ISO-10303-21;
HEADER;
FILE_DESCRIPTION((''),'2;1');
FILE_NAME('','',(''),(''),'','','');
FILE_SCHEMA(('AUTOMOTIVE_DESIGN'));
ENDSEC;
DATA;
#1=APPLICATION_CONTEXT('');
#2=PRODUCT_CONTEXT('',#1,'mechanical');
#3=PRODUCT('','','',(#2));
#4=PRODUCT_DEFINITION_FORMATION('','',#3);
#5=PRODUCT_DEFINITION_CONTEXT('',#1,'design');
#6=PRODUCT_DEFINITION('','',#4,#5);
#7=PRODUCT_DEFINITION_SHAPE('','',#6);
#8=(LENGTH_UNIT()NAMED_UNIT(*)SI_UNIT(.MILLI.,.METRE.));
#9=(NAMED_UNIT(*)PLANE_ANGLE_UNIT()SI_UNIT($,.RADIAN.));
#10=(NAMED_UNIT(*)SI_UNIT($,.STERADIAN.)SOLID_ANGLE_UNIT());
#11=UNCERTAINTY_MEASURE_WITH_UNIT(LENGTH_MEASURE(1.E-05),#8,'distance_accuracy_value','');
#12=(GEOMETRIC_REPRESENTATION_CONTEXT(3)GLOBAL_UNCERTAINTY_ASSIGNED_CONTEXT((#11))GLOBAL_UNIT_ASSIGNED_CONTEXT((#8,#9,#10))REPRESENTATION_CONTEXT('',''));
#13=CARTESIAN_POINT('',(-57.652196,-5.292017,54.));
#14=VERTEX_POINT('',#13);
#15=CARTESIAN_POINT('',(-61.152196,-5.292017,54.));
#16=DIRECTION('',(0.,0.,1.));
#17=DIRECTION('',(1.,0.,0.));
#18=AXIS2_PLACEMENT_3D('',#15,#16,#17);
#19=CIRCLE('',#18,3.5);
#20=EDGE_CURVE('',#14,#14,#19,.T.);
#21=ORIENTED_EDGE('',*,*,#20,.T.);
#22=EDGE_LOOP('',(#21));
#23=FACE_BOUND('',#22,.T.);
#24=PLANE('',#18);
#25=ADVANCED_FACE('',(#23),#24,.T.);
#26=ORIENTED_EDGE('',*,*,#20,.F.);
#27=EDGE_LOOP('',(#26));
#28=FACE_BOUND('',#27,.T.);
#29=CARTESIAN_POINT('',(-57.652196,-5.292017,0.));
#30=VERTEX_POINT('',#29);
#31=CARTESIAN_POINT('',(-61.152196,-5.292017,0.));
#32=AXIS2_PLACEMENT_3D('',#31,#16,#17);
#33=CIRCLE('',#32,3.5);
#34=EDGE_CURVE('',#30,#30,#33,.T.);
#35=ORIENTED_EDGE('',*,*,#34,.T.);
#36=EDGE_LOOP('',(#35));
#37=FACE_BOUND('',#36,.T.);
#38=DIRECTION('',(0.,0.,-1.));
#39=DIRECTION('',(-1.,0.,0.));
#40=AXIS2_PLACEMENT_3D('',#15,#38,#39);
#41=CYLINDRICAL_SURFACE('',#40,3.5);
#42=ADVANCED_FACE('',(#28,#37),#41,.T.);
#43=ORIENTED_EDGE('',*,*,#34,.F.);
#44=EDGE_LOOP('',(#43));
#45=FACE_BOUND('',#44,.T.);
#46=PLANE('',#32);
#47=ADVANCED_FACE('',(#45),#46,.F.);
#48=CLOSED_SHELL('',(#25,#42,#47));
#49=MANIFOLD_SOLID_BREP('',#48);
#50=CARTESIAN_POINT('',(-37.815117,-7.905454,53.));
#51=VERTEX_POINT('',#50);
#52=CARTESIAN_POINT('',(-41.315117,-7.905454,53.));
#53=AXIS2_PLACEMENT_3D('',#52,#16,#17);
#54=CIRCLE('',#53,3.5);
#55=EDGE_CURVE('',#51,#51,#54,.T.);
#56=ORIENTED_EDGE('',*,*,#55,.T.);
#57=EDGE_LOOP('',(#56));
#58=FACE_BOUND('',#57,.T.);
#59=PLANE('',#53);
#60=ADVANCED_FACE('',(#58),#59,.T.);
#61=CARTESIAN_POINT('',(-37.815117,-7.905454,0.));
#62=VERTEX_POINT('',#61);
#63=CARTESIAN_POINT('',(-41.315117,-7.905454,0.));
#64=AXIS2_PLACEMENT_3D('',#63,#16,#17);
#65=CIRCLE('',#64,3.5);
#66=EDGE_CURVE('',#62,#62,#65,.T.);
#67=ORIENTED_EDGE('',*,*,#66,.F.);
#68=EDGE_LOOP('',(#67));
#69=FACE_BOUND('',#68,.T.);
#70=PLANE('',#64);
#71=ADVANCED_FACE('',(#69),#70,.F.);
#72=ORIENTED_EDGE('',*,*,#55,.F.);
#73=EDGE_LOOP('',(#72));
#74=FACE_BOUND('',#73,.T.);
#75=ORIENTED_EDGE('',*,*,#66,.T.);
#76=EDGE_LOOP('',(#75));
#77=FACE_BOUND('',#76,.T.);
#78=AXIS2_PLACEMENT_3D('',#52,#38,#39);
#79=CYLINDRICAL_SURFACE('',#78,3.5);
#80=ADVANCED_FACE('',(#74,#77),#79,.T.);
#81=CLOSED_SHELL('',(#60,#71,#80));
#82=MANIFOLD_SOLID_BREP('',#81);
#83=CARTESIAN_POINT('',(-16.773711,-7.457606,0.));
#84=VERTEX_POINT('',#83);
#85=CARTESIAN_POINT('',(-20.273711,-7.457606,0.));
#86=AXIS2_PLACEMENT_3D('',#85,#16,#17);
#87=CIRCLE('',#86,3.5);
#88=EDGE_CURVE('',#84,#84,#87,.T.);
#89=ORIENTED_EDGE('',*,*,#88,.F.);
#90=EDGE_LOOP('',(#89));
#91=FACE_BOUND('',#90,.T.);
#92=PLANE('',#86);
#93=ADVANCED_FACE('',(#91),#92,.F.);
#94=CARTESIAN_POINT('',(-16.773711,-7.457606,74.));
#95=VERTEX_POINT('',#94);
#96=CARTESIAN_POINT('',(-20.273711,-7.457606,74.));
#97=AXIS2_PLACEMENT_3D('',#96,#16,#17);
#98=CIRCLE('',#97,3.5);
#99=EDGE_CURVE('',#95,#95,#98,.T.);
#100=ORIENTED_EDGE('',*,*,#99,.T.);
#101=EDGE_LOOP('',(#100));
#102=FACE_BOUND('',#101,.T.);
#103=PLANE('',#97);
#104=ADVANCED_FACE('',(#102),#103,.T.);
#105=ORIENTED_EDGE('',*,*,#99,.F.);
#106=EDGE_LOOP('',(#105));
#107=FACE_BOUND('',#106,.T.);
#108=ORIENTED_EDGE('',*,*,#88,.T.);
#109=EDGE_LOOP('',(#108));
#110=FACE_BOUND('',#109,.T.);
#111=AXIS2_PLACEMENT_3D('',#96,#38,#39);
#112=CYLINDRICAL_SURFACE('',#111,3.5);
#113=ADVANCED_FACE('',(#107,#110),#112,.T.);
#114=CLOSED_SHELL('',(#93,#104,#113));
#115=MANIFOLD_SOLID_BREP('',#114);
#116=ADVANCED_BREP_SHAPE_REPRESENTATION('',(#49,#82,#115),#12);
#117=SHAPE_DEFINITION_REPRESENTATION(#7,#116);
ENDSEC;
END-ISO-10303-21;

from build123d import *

# Parameters (mm, degrees)
SKETCH1_R           = 3.5
BOSS_EXTRUDE1_DEPTH = 54
SKETCH2_R           = 3.5
BOSS_EXTRUDE2_DEPTH = 53
SKETCH3_R           = 3.5
BOSS_EXTRUDE3_DEPTH = 74


with BuildPart() as part:
    # Sketch1 → Boss-Extrude1 (new body)
    with BuildSketch(Plane.XY):
        with Locations((-61.152195741, -5.292016939)):
            Circle(SKETCH1_R)
    extrude(amount=BOSS_EXTRUDE1_DEPTH)


with BuildPart() as body_2:
    # Sketch2 → Boss-Extrude2 (new body)
    with BuildSketch(Plane.XY):
        with Locations((-41.315116744, -7.905454397)):
            Circle(SKETCH2_R)
    extrude(amount=BOSS_EXTRUDE2_DEPTH)


with BuildPart() as body_3:
    # Sketch3 → Boss-Extrude3 (new body)
    with BuildSketch(Plane.XY):
        with Locations((-20.273710763, -7.457605747)):
            Circle(SKETCH3_R)
    extrude(amount=BOSS_EXTRUDE3_DEPTH)


solid = Compound([part.part, body_2.part, body_3.part])
